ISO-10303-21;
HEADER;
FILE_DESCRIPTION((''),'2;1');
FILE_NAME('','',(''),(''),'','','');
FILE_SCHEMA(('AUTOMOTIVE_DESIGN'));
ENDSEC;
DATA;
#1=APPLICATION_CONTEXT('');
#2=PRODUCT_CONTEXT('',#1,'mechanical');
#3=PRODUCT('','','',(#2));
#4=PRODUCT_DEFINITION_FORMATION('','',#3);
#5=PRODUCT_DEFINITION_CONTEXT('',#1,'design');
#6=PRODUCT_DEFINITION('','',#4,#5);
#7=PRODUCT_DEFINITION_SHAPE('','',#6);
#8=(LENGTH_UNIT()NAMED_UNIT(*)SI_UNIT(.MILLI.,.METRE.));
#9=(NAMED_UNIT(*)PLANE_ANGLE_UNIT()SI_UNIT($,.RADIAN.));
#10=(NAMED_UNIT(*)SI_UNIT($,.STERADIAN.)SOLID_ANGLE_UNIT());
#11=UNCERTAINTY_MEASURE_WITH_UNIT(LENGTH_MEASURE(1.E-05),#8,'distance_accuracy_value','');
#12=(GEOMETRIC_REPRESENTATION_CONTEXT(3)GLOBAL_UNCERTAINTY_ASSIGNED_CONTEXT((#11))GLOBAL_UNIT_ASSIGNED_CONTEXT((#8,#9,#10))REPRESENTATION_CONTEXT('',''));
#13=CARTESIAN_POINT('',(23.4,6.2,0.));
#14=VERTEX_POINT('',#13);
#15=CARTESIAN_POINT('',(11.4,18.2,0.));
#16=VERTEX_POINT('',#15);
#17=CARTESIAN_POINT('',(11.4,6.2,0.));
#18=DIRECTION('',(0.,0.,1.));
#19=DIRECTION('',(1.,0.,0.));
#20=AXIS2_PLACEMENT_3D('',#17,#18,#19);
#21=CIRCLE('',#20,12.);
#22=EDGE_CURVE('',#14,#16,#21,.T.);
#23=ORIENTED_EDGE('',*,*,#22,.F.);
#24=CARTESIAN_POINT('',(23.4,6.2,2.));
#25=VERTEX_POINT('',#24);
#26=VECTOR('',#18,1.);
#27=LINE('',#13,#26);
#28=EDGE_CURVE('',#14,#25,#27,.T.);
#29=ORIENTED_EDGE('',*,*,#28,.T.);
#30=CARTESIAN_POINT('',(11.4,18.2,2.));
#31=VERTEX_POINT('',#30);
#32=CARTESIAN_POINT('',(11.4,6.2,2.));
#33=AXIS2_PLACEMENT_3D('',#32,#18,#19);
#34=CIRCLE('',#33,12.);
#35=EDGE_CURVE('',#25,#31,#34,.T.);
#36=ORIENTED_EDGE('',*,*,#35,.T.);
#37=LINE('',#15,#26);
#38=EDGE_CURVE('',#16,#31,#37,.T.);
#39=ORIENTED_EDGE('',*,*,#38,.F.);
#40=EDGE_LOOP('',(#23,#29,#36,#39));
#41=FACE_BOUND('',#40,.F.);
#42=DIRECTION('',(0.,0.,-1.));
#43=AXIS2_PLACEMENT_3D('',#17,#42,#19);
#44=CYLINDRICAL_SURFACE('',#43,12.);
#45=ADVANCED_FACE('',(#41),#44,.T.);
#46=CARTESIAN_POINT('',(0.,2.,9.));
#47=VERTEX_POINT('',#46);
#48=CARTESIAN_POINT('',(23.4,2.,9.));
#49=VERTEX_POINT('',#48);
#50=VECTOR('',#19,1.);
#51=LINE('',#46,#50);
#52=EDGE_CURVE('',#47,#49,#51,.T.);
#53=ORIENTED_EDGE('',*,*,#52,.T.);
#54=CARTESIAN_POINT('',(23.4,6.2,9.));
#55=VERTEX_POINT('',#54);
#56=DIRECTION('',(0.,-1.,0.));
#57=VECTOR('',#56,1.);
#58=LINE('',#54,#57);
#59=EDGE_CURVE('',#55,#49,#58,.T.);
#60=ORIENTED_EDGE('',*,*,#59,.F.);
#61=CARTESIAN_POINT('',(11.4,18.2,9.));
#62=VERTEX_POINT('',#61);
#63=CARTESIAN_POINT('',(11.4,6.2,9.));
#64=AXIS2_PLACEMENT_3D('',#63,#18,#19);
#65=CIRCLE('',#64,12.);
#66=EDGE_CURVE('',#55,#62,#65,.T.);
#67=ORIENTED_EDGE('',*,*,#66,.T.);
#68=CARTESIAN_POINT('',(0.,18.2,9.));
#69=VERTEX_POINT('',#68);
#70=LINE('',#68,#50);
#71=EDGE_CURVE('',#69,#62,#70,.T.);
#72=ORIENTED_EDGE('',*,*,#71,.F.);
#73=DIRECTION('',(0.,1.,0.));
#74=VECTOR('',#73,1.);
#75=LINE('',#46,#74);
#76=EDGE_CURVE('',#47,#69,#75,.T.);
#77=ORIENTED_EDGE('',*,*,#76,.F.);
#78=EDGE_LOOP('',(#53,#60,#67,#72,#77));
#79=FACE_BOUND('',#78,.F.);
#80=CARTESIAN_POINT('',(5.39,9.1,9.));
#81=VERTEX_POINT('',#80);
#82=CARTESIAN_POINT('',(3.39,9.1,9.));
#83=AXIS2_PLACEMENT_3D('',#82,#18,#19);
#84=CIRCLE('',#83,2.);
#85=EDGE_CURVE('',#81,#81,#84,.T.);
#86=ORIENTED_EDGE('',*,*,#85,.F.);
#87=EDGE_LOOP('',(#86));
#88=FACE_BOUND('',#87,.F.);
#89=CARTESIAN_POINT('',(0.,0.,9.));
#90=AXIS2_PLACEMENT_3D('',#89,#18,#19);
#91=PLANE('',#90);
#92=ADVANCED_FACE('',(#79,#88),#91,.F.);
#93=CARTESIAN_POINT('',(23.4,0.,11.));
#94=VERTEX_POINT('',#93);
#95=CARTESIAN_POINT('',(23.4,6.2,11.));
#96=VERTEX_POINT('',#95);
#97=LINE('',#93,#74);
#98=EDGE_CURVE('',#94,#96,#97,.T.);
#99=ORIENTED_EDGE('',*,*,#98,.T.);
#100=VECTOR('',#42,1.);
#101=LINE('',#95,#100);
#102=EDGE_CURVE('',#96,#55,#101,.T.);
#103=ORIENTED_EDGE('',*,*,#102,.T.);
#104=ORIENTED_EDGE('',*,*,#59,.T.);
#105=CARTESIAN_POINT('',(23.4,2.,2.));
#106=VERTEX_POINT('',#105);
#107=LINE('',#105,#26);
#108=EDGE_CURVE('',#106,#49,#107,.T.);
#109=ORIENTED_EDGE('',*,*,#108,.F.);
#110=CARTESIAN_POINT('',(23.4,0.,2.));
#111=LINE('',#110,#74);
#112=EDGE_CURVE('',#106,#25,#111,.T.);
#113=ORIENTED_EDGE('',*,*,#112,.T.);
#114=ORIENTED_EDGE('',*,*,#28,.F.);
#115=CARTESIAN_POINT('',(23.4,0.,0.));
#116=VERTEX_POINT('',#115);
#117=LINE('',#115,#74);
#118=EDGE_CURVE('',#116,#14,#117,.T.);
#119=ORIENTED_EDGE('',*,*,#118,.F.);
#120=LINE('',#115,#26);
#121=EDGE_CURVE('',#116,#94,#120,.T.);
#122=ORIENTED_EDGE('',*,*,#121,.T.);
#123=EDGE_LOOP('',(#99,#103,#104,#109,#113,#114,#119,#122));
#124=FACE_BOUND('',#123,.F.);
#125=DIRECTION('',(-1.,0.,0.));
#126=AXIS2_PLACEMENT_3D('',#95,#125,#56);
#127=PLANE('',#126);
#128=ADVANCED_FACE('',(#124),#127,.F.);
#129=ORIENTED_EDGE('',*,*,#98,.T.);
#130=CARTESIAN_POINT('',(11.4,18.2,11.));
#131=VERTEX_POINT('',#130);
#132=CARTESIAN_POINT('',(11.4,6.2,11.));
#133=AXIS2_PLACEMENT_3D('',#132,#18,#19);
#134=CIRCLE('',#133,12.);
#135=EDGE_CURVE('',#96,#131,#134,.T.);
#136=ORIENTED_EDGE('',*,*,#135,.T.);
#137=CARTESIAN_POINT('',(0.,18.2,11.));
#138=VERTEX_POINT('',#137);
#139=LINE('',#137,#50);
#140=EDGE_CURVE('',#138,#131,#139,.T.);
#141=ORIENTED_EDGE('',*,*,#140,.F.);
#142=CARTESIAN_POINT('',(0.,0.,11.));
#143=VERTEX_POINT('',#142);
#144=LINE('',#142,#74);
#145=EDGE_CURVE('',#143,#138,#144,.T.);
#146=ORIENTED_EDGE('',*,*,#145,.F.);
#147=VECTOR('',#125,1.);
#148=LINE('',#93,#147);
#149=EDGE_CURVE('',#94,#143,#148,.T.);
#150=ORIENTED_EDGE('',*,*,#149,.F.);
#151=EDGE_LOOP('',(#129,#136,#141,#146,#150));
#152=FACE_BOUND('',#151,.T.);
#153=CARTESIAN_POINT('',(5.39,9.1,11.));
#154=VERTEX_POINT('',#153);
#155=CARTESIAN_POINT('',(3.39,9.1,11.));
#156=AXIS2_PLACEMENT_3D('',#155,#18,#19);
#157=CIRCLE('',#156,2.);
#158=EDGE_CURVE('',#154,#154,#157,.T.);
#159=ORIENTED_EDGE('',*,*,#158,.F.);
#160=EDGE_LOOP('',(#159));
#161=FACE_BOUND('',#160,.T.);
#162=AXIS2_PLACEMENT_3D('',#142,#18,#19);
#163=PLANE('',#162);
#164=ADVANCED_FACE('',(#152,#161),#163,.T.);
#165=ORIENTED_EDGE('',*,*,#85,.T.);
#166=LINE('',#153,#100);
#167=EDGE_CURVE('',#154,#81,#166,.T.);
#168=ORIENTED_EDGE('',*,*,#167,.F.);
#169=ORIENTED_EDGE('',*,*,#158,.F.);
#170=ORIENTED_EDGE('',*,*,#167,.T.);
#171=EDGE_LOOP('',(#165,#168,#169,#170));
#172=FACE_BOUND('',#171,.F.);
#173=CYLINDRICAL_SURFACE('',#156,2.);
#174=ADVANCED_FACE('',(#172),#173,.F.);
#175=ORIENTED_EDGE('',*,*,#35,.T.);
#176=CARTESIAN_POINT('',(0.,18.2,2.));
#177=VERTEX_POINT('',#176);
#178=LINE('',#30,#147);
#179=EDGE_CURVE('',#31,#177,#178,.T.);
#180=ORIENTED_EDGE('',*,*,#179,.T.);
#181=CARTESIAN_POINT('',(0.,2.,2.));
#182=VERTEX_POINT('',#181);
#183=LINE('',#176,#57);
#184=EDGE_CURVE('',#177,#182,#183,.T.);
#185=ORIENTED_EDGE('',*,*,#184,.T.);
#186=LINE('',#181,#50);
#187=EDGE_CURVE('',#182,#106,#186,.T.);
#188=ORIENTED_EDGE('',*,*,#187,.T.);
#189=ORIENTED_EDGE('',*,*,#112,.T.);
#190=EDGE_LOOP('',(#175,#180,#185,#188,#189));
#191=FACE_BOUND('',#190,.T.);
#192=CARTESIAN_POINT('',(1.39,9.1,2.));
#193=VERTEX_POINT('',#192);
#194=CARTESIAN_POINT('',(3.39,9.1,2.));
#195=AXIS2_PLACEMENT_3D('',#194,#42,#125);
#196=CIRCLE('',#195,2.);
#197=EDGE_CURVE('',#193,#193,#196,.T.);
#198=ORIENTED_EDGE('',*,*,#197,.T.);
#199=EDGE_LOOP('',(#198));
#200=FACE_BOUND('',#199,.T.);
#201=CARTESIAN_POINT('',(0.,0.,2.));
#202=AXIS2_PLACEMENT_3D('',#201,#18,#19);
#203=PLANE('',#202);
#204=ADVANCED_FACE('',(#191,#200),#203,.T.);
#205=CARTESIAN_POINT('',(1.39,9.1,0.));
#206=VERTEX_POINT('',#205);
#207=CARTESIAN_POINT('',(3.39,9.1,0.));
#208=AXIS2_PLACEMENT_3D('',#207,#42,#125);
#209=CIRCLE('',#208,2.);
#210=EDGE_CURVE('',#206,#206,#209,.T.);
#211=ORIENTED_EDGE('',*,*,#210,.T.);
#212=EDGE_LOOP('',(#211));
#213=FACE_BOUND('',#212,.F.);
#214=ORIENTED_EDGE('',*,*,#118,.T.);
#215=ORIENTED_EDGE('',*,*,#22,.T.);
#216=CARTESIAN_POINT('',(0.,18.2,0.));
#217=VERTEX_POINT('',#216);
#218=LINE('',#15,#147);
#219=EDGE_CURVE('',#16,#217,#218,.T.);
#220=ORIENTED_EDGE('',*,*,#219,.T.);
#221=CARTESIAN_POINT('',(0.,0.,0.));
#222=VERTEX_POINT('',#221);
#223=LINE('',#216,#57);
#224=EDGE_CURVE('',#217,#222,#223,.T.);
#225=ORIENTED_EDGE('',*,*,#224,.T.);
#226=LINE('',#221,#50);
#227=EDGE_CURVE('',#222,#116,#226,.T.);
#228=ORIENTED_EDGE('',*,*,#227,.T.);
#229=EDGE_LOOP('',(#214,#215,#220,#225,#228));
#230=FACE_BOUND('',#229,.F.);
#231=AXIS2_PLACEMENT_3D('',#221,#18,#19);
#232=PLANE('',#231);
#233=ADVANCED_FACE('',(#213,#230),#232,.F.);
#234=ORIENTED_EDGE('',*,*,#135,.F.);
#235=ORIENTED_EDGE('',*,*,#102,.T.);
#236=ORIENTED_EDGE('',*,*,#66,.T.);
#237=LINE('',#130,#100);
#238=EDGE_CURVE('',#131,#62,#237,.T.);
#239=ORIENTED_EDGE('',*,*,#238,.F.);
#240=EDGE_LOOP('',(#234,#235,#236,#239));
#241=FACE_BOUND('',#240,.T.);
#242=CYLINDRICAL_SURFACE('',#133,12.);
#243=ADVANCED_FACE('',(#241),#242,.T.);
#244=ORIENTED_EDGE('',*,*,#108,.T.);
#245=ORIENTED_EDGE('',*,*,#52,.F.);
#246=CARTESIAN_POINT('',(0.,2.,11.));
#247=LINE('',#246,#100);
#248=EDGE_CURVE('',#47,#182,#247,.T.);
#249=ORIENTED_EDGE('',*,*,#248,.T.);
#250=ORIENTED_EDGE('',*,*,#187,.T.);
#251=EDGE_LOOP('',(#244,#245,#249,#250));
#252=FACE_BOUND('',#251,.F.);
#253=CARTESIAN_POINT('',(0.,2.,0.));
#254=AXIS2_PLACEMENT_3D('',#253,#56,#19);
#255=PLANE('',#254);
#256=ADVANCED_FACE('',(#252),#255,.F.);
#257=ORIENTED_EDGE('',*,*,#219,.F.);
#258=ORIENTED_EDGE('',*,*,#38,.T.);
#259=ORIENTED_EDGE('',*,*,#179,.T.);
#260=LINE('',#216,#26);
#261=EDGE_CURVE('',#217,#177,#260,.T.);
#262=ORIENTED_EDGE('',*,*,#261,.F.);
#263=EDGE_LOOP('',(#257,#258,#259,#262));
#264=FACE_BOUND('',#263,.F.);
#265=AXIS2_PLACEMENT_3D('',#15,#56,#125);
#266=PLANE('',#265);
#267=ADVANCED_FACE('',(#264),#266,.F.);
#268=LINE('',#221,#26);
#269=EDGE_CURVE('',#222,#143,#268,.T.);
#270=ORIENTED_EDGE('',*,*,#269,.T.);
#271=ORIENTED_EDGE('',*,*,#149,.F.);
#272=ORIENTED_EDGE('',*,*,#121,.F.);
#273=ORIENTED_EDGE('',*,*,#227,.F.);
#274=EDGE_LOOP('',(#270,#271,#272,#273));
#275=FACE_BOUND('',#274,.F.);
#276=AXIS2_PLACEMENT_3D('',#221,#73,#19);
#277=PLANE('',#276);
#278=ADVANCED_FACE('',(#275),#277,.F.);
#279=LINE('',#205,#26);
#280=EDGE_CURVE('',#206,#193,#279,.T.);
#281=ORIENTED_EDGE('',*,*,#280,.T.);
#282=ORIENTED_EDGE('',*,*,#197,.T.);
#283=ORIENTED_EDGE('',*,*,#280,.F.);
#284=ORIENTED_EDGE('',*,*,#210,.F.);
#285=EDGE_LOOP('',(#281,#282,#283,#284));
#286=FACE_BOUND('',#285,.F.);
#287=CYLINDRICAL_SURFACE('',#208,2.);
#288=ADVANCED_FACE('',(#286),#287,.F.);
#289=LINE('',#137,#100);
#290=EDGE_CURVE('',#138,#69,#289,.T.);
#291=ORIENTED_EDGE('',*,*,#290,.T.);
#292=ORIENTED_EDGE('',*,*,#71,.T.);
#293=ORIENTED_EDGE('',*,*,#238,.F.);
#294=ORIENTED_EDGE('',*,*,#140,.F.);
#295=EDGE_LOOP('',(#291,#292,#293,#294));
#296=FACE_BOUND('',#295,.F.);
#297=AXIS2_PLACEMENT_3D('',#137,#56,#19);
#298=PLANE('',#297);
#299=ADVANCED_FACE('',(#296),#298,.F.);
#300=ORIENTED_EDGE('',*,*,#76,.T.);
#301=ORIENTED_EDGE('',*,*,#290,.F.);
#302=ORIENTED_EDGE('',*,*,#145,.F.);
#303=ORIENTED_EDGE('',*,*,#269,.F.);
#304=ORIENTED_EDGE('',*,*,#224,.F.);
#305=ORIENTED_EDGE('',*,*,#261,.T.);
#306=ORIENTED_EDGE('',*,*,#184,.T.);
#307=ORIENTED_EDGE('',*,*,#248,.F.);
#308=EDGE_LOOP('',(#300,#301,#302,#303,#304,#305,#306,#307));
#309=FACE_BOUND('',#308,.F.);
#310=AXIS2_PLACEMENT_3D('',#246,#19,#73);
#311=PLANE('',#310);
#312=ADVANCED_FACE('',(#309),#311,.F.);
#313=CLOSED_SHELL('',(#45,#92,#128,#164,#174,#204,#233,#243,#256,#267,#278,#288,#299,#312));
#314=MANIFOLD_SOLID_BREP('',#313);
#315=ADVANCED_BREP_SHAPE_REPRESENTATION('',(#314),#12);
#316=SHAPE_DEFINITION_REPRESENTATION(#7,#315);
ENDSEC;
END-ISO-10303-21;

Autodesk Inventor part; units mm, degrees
ref_plane "YZ Plane" through (0, 0, 0) normal (1, 0, 0) x (0, 1, 0)
ref_plane "XZ Plane" through (0, 0, 0) normal (0, 1, 0) x (-1, 0, 0)
ref_plane "XY Plane" through (0, 0, 0) normal (0, 0, 1) x (1, 0, 0)
sketch "Esquisse1" plane through (0, 0, 0) normal (0, 0, 1) x (1, 0, 0)
  line L0 (0, 0) -> (23.4, 0)
  line L1 (23.4, 0) -> (23.4, 6.2)
  line L2 (11.4, 18.2) -> (0, 18.2)
  line L3 (0, 18.2) -> (0, 0)
  arc A0 (23.4, 6.2) -> (11.4, 18.2) centre (11.4, 6.2) ccw
  dimension "d0" = 18.2
  dimension "d1" = 23.4
  dimension "d2" = 12
extrude "Extrusion1" add sketch "Esquisse1" along normal blind 2
sketch "Esquisse2" plane through (0, 0, 0) normal (0, -1, 0) x (1, 0, 0)
  line L0 (0, 2) -> (23.4, 2) projected
  line L1 (0, 2) -> (23.4, 2)
  line L2 (23.4, 2) -> (23.4, 11)
  line L3 (23.4, 11) -> (0, 11)
  line L4 (0, 11) -> (0, 2)
  point P0 (0, 0)
  dimension "d5" = 9
extrude "Extrusion2" add sketch "Esquisse2" against normal blind 2
sketch "Esquisse3" plane through (0, 0, 11) normal (0, 0, 1) x (1, 0, 0)
  line L0 (0, 2) -> (23.4, 2) projected
  line L1 (23.4, 2) -> (0, 2)
  line L2 (0, 2) -> (0, 18.2)
  line L3 (0, 18.2) -> (11.4, 18.2)
  line L4 (23.4, 6.2) -> (23.4, 2)
  arc A0 (23.4, 6.2) -> (11.4, 18.2) centre (11.4, 6.2) ccw
  point P0 (0, 0)
  dimension "d8" = 16.2
  dimension "d9" = 12
extrude "Extrusion3" add sketch "Esquisse3" against normal blind 2
sketch "Esquisse4" plane through (0, 0, 11) normal (0, 0, 1) x (1, 0, 0)
  circle A0 centre (3.39, 9.1) radius 2
  line L0 (23.4, 0) -> (0, 0) projected
  line L1 (23.4, 0) -> (23.4, 6.2) projected
  line L2 (0, 0) -> (0, 18.2) projected
  dimension "d12" = 9.1
  dimension "d14" = 4
  dimension "d19" = 3.39
extrude "Extrusion4" cut sketch "Esquisse4" against normal blind 2
sketch "Esquisse5" plane through (0, 0, 0) normal (0, 0, -1) x (-1, 0, 0)
  circle A0 centre (-3.39, 9.1) radius 2 projected
  circle A1 centre (-3.39, 9.1) radius 2
  point P0 (0, 0)
extrude "Extrusion5" cut sketch "Esquisse5" against normal blind 2
properties part number "Finger2" material "Plastique ABS"
